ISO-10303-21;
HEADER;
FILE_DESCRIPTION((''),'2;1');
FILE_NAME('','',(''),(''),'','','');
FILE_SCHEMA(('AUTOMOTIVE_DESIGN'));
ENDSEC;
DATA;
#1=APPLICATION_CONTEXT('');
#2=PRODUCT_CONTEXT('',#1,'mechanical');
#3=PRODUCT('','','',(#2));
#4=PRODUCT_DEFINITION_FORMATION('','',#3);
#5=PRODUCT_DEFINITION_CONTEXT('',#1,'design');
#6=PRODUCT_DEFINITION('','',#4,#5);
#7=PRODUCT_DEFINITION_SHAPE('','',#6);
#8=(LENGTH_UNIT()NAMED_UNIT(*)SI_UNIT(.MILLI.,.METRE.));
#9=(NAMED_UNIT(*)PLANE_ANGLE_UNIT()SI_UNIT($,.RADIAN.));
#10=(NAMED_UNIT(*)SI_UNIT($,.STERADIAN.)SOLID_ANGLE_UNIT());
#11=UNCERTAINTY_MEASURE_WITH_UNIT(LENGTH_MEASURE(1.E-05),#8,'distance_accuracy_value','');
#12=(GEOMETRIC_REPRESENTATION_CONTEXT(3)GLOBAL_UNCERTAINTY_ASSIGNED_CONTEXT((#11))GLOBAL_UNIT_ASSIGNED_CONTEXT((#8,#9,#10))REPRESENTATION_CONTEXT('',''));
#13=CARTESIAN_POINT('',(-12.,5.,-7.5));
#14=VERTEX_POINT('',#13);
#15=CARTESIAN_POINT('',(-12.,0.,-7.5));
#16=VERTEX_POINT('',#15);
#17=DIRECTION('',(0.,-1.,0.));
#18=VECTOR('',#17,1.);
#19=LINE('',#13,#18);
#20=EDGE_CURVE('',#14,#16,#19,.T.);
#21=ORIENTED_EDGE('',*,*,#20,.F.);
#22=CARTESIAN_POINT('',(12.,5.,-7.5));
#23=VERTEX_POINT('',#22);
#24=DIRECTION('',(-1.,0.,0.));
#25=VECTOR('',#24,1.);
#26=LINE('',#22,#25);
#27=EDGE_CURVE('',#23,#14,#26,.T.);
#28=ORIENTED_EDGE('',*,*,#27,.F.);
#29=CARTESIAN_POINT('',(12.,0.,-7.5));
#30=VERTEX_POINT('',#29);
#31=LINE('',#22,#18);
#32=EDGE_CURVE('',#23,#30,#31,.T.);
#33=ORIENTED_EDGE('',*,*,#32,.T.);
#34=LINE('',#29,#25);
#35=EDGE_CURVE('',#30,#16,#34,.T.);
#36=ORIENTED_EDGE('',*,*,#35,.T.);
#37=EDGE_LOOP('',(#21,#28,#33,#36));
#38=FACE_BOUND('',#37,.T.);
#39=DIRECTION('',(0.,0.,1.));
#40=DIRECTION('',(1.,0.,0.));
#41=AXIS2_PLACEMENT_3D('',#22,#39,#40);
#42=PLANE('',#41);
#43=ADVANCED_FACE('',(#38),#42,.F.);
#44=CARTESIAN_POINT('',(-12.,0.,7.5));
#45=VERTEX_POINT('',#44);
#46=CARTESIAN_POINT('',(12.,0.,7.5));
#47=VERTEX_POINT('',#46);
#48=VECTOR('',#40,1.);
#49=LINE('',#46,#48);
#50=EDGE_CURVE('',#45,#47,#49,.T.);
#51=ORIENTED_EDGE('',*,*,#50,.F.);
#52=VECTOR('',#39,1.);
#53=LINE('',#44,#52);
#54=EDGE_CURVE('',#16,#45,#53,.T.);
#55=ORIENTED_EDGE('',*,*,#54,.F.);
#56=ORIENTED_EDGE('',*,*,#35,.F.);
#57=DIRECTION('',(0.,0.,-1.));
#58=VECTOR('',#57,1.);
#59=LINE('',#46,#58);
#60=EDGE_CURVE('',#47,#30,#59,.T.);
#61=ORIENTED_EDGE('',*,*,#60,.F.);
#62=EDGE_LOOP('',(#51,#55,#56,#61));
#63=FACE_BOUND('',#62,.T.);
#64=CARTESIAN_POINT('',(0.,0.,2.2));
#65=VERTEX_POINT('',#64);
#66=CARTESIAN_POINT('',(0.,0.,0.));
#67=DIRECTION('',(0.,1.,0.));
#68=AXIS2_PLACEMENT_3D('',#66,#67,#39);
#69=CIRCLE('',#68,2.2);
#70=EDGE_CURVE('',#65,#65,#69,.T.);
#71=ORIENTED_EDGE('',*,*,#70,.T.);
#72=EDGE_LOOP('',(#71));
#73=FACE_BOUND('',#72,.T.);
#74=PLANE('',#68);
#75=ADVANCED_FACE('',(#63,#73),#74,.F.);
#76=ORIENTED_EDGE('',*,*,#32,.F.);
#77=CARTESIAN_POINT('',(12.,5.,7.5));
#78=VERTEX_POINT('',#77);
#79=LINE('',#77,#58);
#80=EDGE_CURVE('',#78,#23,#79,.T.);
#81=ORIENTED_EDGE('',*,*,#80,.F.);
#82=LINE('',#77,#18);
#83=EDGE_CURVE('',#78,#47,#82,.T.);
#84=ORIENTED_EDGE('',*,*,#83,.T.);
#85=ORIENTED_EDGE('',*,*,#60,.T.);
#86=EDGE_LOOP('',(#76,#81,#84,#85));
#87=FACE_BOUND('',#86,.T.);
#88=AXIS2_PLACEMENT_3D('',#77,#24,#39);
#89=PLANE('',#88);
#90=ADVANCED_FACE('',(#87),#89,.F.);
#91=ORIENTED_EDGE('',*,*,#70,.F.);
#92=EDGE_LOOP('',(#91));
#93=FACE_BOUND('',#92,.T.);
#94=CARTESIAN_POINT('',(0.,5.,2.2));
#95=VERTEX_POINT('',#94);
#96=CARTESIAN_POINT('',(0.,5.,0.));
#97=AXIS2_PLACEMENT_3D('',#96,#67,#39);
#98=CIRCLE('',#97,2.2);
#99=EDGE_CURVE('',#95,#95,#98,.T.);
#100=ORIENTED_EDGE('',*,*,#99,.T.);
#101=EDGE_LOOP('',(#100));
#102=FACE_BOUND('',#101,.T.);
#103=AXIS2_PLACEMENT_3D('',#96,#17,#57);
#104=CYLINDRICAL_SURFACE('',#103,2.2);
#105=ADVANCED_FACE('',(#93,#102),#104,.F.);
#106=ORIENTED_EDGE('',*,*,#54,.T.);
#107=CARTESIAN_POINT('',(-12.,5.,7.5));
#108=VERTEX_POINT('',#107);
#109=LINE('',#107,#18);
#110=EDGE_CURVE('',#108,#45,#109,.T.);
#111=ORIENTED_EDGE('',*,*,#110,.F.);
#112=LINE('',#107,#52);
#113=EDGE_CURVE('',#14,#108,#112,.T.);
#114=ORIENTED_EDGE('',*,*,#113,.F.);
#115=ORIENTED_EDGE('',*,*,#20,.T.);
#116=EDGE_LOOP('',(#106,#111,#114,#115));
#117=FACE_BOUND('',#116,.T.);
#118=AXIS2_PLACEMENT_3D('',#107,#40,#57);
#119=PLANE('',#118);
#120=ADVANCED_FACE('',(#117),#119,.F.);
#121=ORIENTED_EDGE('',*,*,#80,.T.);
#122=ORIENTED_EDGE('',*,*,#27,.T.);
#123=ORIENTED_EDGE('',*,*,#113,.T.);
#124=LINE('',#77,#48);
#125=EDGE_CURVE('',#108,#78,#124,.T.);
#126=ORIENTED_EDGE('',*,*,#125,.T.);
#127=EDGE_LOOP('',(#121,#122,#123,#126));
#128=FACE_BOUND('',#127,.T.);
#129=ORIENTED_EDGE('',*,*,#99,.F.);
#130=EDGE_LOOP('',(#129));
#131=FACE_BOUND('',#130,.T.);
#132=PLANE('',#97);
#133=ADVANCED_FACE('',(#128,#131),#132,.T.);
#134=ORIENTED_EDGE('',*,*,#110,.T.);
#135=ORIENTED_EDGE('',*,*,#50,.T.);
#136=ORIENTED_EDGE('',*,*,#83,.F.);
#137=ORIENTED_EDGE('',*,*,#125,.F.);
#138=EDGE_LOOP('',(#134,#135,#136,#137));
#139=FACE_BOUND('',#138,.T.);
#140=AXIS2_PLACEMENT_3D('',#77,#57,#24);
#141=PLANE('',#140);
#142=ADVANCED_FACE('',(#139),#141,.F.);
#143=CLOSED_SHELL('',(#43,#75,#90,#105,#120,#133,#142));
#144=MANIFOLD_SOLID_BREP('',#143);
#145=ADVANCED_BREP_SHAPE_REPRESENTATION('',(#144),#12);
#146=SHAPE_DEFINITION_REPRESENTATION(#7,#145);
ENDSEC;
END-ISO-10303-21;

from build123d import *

# Parameters (mm, degrees)
SKETCH1_W           = 24
SKETCH1_H           = 15
SKETCH1_R           = 2.2
BOSS_EXTRUDE1_DEPTH = 5


with BuildPart() as part:
    # Sketch1 → Boss-Extrude1 (new body)
    with BuildSketch(Plane(origin=(0, 0, 0), x_dir=(1, 0, 0), z_dir=(0, 1, 0))):
        Rectangle(SKETCH1_W, SKETCH1_H)
        with Locations(Location((0, 0, 0), (0, 0, 270))):
            Circle(SKETCH1_R, mode=Mode.SUBTRACT)
    extrude(amount=BOSS_EXTRUDE1_DEPTH)


solid = part.part
